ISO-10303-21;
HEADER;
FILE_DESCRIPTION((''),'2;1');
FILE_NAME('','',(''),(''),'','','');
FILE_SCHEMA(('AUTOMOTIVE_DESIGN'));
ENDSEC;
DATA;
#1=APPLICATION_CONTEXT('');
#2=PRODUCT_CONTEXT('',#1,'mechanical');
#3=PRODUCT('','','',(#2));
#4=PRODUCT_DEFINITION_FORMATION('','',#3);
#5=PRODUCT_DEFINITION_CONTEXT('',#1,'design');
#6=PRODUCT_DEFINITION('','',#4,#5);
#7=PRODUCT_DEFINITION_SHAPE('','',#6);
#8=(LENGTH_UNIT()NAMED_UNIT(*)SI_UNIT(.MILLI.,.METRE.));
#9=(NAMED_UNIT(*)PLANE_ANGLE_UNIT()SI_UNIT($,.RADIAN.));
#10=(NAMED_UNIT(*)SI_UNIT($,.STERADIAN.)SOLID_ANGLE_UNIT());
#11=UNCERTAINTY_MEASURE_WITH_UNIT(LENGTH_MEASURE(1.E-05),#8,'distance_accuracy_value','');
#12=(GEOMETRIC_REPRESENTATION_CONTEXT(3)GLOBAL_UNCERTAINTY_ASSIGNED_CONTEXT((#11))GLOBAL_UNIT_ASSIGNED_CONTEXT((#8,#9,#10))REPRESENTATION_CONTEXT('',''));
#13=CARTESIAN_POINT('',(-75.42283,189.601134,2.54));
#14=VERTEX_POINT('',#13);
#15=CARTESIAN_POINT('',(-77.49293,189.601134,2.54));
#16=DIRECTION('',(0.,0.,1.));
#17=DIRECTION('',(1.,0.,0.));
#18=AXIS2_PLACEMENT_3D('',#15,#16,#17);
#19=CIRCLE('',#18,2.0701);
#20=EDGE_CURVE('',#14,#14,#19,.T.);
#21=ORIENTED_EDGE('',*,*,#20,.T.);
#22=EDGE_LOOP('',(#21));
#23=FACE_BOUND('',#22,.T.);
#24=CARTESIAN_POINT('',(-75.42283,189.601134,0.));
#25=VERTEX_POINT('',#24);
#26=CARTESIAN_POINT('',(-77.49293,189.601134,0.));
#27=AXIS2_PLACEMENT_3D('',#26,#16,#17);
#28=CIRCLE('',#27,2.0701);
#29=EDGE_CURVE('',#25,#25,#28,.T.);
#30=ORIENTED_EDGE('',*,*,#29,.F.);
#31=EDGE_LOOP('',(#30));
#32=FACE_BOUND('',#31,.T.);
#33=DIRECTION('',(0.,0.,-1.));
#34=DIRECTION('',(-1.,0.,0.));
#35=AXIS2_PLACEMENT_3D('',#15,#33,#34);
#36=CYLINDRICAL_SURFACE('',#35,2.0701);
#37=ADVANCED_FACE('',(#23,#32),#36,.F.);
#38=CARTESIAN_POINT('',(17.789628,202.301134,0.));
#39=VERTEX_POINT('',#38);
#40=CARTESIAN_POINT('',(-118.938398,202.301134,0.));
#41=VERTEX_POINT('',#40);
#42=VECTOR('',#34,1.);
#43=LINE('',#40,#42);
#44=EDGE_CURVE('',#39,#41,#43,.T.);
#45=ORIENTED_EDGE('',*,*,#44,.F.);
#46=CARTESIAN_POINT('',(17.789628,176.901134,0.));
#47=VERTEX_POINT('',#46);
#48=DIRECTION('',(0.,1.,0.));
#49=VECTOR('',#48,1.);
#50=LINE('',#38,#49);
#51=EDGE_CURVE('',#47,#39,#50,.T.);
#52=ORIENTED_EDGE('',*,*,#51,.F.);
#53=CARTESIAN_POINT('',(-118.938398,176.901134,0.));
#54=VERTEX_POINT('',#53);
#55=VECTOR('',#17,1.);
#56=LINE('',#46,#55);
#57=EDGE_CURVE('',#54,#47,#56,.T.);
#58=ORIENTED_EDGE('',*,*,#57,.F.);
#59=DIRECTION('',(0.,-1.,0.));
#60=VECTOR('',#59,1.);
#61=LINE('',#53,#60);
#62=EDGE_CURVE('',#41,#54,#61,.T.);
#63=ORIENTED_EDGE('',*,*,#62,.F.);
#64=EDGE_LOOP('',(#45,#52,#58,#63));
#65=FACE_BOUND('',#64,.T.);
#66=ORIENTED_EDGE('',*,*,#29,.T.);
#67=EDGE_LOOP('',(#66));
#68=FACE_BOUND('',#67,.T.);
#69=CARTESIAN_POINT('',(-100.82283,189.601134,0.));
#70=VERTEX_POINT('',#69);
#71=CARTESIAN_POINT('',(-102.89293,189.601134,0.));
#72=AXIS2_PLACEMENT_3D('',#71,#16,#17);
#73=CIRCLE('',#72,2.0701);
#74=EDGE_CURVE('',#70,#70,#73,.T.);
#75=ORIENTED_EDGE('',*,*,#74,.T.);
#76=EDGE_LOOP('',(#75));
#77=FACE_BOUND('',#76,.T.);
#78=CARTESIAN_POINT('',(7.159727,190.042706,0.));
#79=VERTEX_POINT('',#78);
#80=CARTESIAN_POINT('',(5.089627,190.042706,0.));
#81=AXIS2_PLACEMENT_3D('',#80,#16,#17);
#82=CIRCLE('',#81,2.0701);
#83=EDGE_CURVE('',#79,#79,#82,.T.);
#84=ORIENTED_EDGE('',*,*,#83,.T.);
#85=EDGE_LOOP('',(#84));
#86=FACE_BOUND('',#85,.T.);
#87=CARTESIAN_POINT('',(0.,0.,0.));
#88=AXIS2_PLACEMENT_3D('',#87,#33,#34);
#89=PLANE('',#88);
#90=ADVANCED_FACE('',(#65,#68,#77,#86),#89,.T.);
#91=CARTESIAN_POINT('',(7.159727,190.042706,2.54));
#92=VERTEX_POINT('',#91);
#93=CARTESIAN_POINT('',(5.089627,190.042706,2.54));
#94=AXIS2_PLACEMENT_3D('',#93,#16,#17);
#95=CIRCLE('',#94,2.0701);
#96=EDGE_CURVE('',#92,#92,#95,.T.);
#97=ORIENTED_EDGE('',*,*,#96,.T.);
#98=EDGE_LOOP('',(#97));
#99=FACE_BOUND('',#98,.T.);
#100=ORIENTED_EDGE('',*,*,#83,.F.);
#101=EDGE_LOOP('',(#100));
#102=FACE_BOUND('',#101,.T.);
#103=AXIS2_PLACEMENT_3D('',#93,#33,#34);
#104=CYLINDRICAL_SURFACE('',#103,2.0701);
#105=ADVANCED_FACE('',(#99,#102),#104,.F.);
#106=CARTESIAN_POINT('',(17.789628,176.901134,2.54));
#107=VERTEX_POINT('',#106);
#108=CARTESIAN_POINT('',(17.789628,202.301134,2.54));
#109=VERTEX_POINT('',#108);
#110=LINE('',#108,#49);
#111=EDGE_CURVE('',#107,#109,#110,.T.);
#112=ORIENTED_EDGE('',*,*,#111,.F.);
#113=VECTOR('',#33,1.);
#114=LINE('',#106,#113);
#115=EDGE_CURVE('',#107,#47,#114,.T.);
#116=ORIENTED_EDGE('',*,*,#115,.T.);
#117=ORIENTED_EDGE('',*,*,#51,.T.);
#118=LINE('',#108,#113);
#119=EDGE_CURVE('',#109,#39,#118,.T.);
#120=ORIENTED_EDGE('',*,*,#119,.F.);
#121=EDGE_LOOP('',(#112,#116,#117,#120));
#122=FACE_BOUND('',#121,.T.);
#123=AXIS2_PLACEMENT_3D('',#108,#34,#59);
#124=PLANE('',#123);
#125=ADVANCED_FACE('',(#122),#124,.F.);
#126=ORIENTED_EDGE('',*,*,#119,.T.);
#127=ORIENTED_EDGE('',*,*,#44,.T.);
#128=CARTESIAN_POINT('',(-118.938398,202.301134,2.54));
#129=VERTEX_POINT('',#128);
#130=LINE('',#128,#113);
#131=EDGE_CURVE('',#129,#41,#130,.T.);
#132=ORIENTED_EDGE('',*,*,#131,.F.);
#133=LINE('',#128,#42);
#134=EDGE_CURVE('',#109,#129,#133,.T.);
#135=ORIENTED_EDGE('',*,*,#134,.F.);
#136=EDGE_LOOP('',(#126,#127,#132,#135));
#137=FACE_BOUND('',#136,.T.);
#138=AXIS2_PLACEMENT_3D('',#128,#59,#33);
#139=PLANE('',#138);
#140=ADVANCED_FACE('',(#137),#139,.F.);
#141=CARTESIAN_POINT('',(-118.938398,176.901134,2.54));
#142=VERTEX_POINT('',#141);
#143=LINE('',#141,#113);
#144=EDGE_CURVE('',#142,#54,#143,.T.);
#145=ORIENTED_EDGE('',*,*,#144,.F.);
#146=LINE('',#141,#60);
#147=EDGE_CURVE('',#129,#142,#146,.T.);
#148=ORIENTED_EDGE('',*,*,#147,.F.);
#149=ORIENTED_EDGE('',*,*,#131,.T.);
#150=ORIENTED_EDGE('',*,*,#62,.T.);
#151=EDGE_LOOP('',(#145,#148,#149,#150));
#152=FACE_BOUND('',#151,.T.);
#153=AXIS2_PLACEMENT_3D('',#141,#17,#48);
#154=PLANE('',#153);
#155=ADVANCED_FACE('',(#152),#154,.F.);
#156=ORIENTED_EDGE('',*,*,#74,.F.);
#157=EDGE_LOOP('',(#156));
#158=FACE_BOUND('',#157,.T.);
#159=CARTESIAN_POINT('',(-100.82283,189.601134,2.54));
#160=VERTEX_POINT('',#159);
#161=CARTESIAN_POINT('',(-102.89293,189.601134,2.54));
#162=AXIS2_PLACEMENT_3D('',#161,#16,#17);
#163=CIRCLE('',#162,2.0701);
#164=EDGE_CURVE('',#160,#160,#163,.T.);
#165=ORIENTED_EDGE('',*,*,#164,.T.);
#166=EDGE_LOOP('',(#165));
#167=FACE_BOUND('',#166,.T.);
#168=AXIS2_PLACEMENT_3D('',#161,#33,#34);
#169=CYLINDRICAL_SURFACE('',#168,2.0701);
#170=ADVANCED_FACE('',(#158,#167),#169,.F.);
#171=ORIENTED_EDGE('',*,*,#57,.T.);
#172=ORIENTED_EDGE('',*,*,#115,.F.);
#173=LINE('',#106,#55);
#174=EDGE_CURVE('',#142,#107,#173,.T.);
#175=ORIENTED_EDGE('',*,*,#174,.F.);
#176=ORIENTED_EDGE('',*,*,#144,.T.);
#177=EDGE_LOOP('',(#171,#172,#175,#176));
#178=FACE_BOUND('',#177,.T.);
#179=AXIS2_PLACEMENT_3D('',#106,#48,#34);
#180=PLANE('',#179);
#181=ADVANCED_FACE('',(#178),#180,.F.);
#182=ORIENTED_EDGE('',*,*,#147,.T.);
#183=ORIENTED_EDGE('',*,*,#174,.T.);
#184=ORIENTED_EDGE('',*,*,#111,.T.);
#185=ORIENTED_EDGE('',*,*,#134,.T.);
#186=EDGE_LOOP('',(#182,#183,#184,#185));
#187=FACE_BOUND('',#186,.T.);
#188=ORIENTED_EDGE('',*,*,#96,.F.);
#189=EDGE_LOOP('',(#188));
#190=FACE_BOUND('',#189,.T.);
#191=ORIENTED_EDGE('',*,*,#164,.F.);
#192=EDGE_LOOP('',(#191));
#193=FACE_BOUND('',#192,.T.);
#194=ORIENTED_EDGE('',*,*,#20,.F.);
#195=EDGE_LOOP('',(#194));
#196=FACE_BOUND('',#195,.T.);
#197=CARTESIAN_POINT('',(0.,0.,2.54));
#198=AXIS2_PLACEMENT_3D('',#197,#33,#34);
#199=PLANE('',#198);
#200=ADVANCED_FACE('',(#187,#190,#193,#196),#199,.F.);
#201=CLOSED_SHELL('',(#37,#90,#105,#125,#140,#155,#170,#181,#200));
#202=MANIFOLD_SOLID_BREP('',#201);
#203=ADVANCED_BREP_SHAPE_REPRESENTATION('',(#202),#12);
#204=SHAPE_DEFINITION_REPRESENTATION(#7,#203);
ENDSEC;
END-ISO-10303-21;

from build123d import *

# Parameters (mm, degrees)
SKETCH1_W           = 136.728026614
SKETCH1_H           = 25.4
SKETCH1_R           = 2.0701
BOSS_EXTRUDE1_DEPTH = 2.54


with BuildPart() as part:
    # Sketch1 → Boss-Extrude1 (new body)
    with BuildSketch(Plane.XY):
        with Locations((-50.574385066, 189.601133889)):
            Rectangle(SKETCH1_W, SKETCH1_H)
        with Locations((5.089627373, 190.04270609)):
            Circle(SKETCH1_R, mode=Mode.SUBTRACT)
        with Locations((-77.492930456, 189.601133897)):
            Circle(SKETCH1_R, mode=Mode.SUBTRACT)
        with Locations((-102.892930456, 189.601133897)):
            Circle(SKETCH1_R, mode=Mode.SUBTRACT)
    extrude(amount=BOSS_EXTRUDE1_DEPTH)


solid = part.part
